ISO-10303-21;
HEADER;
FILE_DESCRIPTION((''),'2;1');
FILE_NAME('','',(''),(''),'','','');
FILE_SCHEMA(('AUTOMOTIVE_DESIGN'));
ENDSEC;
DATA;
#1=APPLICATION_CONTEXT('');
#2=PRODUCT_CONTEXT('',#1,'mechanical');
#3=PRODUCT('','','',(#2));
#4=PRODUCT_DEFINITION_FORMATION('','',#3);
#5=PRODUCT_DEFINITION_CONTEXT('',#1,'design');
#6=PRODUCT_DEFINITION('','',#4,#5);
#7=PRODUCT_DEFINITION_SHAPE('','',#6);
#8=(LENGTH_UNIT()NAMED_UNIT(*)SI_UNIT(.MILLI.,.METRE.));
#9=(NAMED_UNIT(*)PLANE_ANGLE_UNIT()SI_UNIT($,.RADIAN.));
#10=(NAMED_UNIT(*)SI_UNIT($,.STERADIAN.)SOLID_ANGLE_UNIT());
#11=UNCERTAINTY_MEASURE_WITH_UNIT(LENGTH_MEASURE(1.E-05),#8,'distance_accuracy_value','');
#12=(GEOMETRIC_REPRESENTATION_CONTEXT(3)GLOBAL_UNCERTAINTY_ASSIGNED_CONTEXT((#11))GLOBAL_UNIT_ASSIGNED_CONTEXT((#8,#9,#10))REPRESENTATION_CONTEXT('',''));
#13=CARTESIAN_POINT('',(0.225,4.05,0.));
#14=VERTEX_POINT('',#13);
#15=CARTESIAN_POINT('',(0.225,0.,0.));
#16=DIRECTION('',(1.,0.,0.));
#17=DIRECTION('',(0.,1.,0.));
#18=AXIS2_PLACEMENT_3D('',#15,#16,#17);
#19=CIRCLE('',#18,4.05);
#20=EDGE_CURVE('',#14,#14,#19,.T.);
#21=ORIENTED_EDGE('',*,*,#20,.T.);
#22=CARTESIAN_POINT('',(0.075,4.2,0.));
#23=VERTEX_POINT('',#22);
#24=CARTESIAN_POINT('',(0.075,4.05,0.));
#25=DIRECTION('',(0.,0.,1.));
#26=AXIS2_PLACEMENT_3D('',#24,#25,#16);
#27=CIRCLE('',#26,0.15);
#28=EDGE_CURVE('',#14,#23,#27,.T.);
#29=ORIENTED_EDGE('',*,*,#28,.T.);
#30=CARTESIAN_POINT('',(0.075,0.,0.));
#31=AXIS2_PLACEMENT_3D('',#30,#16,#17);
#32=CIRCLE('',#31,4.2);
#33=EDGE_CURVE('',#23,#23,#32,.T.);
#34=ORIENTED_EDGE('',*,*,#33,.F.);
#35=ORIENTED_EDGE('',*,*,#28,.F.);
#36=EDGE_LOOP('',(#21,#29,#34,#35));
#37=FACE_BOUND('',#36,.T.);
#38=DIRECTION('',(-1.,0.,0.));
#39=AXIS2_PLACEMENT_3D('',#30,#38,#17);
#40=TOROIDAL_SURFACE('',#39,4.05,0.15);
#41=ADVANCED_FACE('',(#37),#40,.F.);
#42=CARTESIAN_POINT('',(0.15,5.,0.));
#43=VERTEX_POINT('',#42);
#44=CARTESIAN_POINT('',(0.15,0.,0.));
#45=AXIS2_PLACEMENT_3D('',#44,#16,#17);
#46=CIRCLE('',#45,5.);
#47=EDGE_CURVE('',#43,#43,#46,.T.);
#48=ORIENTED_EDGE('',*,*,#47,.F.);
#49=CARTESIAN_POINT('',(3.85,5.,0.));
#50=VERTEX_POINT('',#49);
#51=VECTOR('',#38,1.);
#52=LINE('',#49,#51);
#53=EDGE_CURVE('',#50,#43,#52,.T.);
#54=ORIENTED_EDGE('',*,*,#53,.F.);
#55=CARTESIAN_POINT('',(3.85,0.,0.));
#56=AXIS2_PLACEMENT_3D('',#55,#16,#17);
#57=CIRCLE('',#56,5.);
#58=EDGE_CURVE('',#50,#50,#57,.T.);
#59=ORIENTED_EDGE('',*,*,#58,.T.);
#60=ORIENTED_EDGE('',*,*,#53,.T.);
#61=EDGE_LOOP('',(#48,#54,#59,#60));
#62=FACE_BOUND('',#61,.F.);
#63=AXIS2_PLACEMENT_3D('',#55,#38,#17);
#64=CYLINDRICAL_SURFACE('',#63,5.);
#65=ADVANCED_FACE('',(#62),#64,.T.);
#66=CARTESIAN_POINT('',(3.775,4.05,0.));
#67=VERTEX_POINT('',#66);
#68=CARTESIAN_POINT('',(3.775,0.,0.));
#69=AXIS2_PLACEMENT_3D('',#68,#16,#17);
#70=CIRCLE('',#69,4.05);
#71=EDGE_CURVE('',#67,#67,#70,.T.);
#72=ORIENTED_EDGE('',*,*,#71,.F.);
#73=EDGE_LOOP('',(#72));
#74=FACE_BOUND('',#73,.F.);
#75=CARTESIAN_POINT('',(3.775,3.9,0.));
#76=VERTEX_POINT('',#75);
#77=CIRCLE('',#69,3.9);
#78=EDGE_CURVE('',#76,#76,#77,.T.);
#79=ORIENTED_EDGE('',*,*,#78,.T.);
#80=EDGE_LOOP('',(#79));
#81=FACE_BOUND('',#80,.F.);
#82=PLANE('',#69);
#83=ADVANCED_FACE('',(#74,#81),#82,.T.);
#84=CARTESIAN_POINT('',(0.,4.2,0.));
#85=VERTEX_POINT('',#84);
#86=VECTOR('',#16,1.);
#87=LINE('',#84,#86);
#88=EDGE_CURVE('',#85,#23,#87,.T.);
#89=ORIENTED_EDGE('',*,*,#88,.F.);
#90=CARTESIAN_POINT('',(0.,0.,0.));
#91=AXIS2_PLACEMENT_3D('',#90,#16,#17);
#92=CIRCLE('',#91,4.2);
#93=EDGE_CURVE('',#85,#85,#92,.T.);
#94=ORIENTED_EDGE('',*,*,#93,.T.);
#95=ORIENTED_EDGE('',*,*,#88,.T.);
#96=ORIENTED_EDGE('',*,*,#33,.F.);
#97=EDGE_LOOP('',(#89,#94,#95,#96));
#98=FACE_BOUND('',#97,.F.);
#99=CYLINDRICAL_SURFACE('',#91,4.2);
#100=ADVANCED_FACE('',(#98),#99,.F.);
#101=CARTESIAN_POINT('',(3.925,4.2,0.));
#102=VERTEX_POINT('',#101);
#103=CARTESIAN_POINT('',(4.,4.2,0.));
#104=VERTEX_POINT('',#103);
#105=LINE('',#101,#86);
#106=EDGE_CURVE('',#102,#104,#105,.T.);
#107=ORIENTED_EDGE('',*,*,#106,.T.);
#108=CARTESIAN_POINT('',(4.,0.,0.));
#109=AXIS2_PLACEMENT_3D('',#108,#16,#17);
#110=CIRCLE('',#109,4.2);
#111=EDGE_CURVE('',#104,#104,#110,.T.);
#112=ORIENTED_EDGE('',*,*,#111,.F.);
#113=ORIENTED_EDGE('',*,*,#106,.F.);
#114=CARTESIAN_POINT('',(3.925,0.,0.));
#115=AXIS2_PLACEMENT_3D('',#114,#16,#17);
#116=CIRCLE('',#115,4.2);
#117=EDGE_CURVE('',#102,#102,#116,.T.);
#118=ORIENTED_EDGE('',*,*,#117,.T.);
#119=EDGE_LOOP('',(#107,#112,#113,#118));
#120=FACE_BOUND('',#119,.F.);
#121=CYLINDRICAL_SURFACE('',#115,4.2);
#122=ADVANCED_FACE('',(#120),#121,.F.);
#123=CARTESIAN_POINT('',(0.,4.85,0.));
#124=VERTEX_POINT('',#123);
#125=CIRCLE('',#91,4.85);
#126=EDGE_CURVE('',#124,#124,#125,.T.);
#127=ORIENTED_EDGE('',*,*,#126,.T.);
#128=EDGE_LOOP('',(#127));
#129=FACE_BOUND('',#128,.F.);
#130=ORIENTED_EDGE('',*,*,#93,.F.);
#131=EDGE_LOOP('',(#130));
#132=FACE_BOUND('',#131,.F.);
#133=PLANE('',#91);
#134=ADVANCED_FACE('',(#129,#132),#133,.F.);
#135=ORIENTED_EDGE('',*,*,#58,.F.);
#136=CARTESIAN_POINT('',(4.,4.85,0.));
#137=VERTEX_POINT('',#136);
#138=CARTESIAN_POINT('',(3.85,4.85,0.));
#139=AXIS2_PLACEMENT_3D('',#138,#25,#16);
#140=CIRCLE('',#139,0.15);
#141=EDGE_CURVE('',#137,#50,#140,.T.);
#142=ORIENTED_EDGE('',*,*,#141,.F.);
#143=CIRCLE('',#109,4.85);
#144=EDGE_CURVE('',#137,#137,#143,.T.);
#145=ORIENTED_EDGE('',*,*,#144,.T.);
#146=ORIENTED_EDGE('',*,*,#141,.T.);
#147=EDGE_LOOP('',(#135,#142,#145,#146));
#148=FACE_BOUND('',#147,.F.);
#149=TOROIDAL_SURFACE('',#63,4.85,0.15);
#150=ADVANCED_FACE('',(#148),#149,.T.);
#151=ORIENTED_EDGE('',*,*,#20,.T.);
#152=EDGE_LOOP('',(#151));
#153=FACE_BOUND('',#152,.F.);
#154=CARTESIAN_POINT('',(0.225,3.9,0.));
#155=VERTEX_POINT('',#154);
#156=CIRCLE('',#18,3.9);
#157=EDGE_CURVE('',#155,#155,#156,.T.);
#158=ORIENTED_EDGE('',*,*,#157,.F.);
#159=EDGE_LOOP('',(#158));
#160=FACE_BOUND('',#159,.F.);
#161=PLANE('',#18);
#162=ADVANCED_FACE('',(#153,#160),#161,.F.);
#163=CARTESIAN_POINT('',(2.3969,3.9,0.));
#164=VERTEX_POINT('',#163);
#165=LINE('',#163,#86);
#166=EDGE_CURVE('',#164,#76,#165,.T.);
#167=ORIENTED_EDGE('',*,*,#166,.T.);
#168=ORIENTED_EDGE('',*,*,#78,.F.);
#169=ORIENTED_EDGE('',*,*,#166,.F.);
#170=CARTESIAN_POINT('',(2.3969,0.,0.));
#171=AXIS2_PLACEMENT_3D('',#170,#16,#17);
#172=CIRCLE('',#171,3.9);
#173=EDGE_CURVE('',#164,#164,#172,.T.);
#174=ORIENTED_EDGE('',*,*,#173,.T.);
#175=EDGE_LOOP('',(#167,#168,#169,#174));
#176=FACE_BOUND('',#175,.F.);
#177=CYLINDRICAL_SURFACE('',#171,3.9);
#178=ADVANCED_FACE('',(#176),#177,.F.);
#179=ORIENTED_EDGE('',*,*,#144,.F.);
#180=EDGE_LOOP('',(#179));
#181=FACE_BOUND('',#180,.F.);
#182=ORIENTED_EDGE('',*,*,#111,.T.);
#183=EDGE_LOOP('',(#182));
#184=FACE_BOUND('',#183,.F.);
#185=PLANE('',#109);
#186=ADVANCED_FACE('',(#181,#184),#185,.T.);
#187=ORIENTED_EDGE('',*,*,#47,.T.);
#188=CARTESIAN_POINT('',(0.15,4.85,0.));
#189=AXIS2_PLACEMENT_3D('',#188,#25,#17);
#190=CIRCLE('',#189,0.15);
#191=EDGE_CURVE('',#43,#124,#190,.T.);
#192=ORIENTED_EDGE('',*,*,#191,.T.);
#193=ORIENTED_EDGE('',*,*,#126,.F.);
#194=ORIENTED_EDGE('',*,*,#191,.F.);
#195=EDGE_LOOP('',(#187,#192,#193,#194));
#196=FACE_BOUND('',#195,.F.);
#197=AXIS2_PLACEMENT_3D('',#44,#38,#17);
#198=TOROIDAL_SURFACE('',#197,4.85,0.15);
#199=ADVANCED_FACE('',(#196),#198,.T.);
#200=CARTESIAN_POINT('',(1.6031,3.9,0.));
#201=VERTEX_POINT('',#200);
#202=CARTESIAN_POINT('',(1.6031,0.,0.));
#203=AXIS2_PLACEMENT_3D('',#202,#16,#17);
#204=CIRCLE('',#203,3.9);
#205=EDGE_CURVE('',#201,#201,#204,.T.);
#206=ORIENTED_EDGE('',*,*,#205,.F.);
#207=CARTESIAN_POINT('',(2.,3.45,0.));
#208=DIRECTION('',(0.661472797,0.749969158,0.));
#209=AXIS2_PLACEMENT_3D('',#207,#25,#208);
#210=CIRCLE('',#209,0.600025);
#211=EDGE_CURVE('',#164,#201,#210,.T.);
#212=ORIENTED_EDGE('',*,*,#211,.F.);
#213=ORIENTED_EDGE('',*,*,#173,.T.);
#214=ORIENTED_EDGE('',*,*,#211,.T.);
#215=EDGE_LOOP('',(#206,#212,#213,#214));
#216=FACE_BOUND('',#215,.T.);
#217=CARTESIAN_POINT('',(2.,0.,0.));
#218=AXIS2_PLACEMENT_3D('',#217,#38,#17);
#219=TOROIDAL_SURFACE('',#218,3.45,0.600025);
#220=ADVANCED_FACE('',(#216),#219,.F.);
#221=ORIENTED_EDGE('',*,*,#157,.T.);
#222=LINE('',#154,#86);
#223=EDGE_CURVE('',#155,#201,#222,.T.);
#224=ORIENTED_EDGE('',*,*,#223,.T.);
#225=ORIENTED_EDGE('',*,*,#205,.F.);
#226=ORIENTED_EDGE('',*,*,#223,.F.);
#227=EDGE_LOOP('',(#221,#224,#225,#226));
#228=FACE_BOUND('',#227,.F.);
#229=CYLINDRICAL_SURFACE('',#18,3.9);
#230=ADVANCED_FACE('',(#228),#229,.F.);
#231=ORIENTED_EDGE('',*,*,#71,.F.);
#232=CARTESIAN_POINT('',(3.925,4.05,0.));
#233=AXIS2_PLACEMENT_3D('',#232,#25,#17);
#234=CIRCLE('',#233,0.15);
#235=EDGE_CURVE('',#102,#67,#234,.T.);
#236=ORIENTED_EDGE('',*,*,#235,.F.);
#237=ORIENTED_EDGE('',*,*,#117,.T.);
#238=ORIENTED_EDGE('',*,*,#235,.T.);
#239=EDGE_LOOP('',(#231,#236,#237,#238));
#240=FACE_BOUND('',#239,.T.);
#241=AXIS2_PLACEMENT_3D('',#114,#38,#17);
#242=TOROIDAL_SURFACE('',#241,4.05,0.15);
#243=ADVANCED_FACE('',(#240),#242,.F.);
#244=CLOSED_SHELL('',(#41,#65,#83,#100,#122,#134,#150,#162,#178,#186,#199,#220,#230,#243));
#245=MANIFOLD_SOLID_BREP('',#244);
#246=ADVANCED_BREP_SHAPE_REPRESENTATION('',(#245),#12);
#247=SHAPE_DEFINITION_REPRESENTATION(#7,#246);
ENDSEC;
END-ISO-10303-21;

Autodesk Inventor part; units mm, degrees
sketch "Sketch_9" plane through (0, 0, 0) normal (0, 0, 1) x (1, 0, 0)
  line L0 (50, 0) -> (-50, 0)
  line L1 (0, 4.85) -> (0, 4.2)
  line L2 (0, 4.2) -> (0.075, 4.2)
  arc A0 (0.225, 4.05) -> (0.075, 4.2) centre (0.075, 4.05) ccw
  line L3 (0.225, 4.05) -> (0.225, 3.9)
  line L4 (0.225, 3.9) -> (1.6031, 3.9)
  arc A1 (2.3969, 3.9) -> (1.6031, 3.9) centre (2, 3.45) ccw
  line L5 (2.3969, 3.9) -> (3.775, 3.9)
  line L6 (3.775, 3.9) -> (3.775, 4.05)
  arc A2 (3.925, 4.2) -> (3.775, 4.05) centre (3.925, 4.05) ccw
  line L7 (3.925, 4.2) -> (4, 4.2)
  line L8 (4, 4.2) -> (4, 4.85)
  arc A3 (4, 4.85) -> (3.85, 5) centre (3.85, 4.85) ccw
  line L9 (3.85, 5) -> (0.15, 5)
  arc A4 (0.15, 5) -> (0, 4.85) centre (0.15, 4.85) ccw
revolve "Revolution1" add sketch "Sketch_9" angle 360 about axis through (50, 0, 0) along (1, 0, 0)
ref_plane "or_XY" through (0, 0, 0) normal (0, 0, 1) x (1, 0, 0)
ref_plane "or_YZ" through (0, 0, 0) normal (1, 0, 0) x (0, 1, 0)
ref_plane "or_ZX" through (0, 0, 0) normal (0, 1, 0) x (0, 0, 1)
properties part number "SKF_WBB1-8705-2RS1_or"
